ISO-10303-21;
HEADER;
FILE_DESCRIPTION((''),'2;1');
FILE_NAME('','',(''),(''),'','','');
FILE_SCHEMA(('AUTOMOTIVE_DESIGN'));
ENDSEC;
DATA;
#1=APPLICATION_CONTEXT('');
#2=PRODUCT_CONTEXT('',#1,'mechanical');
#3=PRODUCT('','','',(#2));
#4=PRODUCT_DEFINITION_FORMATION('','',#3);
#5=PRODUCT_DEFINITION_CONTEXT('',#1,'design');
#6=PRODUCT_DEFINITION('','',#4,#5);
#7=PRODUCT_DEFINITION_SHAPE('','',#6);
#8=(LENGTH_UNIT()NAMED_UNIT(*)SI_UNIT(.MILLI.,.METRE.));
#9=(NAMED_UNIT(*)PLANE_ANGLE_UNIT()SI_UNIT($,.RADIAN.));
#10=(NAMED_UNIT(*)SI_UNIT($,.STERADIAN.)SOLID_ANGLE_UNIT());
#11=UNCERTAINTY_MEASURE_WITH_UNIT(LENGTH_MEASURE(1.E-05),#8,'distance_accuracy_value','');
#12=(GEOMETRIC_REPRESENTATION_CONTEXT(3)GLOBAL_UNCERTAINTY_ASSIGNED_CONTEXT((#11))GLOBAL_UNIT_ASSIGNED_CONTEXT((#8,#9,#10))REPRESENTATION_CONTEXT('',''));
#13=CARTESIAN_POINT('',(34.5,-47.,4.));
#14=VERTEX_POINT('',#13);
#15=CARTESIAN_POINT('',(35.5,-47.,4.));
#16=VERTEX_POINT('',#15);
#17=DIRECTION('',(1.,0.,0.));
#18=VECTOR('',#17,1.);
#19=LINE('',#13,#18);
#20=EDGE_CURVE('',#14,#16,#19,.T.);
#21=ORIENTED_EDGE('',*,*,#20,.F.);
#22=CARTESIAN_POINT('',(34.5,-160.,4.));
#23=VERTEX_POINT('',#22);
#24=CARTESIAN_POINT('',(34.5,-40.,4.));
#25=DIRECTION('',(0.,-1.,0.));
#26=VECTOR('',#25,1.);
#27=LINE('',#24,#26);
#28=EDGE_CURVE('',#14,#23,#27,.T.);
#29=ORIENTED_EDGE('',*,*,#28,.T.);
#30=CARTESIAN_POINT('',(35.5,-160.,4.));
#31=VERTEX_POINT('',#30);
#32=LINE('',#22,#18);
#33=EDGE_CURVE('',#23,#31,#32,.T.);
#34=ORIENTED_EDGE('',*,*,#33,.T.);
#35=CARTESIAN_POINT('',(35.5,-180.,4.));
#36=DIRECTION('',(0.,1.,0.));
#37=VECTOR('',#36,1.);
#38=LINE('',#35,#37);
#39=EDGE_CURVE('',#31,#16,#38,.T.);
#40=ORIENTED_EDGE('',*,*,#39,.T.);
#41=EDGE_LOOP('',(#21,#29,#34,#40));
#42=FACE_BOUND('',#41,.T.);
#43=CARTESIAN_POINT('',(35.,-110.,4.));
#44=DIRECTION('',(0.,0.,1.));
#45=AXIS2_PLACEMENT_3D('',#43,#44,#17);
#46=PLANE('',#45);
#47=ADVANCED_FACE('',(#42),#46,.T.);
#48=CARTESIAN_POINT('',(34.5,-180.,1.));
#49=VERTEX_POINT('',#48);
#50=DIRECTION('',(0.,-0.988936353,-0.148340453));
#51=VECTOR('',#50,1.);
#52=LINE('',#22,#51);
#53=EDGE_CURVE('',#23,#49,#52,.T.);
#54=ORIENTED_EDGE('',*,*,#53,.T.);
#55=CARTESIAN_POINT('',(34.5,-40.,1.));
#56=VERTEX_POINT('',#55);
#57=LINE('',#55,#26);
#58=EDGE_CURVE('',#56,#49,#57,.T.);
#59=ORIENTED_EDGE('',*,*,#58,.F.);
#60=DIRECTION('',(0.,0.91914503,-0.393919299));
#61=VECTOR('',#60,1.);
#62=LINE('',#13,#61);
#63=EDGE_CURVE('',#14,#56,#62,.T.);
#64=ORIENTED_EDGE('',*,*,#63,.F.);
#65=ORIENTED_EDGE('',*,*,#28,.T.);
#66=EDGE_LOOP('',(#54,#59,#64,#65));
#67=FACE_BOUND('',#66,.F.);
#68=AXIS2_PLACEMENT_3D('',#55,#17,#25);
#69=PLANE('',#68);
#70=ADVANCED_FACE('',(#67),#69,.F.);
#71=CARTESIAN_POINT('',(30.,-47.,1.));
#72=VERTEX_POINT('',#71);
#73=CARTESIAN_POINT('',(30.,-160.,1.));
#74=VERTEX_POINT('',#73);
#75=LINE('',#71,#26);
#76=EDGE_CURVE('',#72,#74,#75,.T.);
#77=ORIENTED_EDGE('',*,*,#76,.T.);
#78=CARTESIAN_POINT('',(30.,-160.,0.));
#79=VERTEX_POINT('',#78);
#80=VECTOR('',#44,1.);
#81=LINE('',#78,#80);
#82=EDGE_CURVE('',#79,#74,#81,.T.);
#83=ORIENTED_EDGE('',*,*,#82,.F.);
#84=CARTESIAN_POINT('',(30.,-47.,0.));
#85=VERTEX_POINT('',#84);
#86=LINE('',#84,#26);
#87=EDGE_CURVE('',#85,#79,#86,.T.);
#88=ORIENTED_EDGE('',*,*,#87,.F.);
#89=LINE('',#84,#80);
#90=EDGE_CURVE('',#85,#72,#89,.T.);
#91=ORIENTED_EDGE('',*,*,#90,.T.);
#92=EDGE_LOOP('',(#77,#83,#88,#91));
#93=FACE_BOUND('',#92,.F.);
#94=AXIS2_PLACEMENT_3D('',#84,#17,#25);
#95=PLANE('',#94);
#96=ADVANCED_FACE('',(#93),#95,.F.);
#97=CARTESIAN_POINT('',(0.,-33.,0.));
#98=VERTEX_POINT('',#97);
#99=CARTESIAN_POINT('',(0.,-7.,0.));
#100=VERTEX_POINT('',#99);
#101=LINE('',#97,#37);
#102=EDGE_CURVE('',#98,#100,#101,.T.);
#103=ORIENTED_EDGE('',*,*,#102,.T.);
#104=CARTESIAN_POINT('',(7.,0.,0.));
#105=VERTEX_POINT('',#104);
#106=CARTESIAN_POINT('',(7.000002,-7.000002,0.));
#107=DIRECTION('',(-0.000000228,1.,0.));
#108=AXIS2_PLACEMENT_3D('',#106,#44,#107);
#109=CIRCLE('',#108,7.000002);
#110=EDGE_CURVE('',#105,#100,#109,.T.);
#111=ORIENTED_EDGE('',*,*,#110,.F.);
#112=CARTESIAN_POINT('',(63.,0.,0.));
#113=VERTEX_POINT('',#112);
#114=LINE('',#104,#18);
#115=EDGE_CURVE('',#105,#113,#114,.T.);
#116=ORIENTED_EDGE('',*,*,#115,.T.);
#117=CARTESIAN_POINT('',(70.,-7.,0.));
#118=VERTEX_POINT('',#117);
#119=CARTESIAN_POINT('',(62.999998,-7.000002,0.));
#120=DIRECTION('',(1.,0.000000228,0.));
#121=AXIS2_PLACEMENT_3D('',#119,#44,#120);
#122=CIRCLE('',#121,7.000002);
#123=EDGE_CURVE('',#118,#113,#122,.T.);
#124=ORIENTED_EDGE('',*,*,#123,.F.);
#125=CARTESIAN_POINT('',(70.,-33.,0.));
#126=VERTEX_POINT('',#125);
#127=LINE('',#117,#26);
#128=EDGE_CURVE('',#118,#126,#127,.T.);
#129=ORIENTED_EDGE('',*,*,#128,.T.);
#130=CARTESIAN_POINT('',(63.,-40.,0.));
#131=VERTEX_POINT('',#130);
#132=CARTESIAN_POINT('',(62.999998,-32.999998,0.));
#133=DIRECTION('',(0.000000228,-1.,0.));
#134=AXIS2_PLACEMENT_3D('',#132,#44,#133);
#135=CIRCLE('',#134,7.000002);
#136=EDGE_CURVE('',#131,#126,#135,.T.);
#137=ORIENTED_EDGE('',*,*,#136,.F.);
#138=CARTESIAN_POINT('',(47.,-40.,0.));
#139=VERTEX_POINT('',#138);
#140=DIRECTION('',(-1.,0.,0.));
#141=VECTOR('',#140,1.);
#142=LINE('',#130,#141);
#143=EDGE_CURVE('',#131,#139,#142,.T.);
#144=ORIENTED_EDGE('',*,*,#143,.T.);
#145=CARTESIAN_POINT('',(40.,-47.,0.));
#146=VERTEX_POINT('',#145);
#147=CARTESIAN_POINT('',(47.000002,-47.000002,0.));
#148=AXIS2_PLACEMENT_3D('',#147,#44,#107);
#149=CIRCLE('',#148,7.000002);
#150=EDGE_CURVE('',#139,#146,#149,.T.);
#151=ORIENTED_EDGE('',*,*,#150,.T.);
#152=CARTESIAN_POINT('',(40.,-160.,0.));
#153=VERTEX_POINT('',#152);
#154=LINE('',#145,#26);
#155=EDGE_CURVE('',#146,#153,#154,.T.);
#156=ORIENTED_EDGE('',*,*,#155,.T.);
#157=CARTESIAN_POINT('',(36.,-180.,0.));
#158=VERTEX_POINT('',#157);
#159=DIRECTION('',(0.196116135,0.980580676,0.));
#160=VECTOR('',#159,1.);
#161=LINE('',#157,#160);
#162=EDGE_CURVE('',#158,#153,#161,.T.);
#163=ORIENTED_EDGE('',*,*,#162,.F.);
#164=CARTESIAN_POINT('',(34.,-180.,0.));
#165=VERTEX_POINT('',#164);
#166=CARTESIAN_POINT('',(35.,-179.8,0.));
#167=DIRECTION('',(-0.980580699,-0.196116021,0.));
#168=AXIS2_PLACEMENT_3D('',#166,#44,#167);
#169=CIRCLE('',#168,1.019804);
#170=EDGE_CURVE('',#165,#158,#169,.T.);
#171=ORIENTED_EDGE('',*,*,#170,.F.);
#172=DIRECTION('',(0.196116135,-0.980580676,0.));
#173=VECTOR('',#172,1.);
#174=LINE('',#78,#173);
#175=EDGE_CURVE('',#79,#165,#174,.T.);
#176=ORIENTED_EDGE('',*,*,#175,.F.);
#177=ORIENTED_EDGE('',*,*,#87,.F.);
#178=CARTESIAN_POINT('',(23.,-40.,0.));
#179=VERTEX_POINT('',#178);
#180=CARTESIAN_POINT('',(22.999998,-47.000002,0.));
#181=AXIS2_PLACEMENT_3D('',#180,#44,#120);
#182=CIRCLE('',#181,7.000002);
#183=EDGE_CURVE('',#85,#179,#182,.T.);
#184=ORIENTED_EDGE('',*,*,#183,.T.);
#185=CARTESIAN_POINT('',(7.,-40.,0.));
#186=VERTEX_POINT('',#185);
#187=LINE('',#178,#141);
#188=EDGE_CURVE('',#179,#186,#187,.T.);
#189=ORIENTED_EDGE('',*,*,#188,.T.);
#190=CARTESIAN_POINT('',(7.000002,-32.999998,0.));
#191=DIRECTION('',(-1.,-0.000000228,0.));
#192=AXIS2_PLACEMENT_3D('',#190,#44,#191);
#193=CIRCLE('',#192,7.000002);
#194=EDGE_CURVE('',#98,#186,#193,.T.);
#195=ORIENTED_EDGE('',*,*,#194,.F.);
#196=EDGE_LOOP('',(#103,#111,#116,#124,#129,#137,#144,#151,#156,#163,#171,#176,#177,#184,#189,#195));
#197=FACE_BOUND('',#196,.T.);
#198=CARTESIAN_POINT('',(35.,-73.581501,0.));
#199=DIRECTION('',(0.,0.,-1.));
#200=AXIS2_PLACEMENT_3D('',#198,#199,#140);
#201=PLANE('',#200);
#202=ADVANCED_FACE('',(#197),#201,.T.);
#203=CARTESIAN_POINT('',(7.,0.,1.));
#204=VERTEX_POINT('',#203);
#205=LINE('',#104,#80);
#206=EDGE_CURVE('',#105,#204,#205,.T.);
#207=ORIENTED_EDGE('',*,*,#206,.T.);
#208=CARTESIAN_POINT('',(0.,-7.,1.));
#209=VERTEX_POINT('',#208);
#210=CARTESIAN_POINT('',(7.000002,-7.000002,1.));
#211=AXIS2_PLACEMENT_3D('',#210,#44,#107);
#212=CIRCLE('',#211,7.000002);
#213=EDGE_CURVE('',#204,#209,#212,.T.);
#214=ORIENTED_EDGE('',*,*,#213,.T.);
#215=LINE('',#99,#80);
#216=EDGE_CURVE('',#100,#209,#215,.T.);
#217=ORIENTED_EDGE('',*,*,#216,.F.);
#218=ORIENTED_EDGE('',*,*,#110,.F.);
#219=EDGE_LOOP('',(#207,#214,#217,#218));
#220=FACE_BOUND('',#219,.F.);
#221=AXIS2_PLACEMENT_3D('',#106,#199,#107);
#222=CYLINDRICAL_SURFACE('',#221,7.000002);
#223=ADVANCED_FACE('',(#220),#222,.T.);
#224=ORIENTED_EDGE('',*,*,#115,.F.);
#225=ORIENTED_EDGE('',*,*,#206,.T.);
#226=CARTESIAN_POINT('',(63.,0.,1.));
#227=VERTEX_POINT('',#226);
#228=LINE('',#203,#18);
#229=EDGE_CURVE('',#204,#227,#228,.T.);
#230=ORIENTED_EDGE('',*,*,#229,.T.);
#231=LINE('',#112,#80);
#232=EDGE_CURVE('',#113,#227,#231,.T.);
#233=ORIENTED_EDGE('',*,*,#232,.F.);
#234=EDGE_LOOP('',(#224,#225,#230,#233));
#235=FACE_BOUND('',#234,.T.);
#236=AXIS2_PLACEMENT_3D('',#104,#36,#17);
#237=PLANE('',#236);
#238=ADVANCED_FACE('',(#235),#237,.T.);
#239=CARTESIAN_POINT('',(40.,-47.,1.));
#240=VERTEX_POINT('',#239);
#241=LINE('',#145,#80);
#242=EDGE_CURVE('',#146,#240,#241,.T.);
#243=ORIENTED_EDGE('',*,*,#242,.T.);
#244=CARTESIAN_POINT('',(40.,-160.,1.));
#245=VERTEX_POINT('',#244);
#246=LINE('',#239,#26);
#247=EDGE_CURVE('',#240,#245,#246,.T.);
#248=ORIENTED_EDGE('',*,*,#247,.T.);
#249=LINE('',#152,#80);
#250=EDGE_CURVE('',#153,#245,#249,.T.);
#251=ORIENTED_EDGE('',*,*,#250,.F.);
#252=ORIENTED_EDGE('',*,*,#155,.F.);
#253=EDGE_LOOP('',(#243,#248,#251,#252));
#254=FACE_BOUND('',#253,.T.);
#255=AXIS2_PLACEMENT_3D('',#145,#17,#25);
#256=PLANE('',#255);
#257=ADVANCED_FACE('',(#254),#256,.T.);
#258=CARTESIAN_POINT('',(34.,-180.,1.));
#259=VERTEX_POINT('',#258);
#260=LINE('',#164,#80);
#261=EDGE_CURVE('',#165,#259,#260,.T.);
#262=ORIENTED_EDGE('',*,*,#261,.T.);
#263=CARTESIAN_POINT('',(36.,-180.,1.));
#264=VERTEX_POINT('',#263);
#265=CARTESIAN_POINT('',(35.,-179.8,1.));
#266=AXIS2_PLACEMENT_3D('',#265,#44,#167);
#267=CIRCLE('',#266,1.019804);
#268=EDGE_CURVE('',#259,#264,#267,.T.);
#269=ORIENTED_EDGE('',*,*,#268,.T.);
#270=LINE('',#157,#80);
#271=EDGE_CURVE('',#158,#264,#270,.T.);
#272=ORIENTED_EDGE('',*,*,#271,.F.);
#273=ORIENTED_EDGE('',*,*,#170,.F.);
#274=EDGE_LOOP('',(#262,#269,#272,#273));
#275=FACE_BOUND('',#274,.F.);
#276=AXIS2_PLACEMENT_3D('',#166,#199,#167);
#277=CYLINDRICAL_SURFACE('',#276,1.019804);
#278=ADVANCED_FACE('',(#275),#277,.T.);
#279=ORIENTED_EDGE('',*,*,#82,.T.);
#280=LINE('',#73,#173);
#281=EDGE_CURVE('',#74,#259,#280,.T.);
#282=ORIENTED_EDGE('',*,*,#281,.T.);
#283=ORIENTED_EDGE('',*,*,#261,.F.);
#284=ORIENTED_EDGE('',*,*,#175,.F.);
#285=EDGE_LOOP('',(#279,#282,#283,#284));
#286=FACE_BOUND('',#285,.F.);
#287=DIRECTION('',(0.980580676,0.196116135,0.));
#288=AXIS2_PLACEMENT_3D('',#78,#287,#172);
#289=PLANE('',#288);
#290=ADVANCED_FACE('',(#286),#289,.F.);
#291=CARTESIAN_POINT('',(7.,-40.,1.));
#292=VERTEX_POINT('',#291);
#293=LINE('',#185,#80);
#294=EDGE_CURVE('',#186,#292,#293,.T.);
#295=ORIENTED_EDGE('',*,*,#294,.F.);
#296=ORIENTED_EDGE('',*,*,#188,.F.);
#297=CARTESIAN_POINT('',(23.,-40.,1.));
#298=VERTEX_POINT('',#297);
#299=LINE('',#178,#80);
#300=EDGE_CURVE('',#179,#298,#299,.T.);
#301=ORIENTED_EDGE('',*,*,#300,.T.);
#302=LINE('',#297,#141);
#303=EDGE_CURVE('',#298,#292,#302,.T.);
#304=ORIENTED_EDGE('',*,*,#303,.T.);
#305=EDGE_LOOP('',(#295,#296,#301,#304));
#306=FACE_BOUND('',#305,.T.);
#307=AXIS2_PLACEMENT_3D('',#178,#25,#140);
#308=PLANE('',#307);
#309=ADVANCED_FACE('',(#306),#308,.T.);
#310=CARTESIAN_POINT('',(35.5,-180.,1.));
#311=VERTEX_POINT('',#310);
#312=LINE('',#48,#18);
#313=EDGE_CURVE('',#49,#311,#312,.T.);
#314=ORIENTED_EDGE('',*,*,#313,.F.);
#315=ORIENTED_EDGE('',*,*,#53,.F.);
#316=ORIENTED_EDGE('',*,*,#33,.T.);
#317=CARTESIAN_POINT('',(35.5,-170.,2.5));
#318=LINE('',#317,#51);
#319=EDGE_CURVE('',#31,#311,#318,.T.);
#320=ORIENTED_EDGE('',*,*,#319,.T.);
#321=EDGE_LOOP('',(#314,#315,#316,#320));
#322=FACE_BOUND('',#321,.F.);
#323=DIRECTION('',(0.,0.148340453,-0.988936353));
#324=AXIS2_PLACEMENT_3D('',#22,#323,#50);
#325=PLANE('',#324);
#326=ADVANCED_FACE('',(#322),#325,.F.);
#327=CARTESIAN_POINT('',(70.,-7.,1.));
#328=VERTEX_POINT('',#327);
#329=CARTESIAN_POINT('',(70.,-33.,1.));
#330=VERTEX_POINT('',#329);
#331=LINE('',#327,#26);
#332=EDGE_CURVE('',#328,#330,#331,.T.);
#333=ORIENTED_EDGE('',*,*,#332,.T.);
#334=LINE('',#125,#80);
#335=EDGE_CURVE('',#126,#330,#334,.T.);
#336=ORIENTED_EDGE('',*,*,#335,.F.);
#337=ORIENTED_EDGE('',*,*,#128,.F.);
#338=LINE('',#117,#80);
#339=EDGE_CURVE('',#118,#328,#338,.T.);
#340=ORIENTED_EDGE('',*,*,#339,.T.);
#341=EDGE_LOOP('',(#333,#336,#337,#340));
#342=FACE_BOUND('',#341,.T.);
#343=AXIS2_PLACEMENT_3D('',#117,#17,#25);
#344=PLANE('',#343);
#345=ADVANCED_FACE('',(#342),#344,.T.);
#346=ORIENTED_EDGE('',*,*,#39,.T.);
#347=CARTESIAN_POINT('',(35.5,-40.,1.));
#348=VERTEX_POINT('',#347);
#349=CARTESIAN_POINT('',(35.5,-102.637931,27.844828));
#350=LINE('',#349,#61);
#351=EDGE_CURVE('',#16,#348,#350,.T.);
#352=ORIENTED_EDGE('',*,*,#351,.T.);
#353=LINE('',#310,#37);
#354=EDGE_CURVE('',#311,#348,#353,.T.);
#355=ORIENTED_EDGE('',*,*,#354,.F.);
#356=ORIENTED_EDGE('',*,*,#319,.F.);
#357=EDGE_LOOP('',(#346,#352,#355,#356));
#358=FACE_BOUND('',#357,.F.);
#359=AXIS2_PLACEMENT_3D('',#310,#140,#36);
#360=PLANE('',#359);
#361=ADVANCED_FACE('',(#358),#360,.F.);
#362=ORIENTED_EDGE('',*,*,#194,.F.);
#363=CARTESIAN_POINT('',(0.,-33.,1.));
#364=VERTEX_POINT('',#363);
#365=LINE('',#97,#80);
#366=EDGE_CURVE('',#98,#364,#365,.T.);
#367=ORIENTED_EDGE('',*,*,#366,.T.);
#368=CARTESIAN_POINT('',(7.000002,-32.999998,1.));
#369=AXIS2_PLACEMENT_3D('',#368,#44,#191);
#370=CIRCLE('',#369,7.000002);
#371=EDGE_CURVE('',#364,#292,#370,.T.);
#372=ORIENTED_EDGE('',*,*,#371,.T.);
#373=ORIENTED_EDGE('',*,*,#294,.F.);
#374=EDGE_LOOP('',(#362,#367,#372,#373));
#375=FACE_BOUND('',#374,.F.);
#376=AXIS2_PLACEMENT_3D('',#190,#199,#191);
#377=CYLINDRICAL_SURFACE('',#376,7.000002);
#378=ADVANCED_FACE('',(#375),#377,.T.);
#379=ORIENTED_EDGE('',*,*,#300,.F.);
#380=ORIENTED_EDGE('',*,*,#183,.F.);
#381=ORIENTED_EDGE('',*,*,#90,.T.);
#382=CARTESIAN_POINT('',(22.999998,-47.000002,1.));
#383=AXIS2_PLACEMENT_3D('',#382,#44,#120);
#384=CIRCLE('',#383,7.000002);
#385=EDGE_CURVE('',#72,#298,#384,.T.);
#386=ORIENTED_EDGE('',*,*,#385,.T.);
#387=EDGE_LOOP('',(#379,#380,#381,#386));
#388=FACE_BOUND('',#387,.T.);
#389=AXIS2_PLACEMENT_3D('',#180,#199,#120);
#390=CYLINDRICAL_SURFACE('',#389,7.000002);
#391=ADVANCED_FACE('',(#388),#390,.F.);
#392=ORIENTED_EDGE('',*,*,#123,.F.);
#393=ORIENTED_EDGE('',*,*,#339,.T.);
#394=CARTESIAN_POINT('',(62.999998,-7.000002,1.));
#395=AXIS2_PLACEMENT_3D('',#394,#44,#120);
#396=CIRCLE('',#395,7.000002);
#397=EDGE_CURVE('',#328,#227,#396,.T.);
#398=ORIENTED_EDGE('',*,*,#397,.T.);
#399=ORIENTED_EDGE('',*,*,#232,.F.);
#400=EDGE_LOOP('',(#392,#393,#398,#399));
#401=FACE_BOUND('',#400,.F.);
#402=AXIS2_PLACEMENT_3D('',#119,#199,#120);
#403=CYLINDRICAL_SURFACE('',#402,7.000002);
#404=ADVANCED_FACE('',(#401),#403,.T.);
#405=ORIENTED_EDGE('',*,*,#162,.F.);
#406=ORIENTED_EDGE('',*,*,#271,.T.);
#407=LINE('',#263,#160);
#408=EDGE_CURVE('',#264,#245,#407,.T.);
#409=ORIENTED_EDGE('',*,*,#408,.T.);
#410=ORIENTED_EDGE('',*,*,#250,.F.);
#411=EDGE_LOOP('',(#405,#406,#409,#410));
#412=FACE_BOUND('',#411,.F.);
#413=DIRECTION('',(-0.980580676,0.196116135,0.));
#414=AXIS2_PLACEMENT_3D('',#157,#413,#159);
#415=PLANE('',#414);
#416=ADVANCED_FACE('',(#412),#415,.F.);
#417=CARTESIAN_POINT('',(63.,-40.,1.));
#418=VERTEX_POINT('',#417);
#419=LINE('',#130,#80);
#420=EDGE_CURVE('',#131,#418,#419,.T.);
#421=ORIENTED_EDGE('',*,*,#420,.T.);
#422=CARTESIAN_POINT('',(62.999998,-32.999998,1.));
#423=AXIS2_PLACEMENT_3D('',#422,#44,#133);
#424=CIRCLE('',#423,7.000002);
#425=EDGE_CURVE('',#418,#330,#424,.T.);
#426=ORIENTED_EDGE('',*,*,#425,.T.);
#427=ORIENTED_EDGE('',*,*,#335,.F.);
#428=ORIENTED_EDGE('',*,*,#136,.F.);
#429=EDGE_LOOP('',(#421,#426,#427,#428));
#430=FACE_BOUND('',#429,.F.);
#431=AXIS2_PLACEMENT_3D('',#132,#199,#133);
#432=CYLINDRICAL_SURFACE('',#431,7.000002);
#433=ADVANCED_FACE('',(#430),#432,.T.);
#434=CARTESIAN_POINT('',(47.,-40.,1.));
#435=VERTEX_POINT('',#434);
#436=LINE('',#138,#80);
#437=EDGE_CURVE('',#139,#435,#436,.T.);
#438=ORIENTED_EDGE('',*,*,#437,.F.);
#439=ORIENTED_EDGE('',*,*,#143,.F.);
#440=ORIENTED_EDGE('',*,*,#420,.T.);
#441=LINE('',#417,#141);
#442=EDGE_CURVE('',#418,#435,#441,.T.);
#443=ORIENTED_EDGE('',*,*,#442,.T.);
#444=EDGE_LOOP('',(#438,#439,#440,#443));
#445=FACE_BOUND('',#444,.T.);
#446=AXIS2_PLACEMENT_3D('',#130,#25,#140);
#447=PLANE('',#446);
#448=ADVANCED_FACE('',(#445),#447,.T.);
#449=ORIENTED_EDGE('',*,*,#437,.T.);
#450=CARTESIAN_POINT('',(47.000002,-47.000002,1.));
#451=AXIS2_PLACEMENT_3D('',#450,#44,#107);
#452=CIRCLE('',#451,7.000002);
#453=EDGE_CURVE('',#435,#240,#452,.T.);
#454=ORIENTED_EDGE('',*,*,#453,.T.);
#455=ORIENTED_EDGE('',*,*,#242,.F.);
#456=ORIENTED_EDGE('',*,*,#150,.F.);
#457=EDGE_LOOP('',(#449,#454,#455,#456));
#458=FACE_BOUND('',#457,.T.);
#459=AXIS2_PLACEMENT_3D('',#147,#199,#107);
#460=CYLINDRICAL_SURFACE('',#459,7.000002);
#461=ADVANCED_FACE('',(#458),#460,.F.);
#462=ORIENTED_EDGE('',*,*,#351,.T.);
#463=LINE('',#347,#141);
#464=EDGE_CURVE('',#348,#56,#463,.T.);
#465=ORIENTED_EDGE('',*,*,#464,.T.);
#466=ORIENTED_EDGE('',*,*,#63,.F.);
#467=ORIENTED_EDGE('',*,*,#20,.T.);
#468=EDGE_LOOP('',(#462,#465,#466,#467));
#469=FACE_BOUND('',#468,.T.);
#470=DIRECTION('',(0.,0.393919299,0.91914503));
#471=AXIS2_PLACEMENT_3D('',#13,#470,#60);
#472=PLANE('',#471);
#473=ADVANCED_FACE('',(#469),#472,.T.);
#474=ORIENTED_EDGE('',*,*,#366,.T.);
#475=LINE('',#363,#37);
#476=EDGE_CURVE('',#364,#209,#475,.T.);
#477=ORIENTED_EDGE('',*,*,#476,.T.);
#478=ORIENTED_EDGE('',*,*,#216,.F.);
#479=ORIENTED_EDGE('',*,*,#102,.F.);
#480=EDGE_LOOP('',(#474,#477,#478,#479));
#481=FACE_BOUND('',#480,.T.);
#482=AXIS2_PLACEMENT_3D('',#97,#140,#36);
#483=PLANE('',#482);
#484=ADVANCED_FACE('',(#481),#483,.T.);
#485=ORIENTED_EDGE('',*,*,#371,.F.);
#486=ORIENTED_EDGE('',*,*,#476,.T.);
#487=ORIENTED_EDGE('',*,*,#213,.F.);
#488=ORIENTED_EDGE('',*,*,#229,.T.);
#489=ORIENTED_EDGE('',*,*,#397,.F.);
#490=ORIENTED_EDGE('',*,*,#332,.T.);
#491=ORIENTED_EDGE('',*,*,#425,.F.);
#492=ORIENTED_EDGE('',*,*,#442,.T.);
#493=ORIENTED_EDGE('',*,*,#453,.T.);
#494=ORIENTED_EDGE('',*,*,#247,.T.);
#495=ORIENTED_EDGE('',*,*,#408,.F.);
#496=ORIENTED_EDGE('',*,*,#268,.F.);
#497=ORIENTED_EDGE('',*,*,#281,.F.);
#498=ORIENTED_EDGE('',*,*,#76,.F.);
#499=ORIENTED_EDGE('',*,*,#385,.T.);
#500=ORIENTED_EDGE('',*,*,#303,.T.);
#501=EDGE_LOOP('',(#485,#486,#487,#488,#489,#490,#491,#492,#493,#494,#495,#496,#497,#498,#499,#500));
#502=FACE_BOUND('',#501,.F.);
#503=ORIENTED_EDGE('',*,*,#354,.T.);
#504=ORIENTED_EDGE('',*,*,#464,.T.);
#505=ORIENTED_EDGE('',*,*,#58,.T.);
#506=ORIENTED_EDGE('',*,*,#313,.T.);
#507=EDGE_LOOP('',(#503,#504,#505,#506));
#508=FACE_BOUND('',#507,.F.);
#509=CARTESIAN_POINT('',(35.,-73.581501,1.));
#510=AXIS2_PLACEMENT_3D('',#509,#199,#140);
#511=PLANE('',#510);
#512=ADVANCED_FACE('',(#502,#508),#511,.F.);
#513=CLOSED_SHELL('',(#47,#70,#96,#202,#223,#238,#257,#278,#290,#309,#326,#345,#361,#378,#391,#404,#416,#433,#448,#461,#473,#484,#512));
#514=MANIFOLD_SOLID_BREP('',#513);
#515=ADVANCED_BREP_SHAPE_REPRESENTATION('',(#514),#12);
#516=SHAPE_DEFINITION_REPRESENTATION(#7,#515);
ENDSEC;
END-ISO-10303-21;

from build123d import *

# Parameters (mm, degrees)
PAD_DEPTH       = 1
PAD001_DEPTH    = 3
POCKET_DEPTH    = 35.501
POCKET001_DEPTH = 35.501


with BuildPart() as part:
    # Sketch → Pad (new body)
    with BuildSketch(Plane.XY):
        with BuildLine():
            Line((7, 0), (63, 0))
            ThreePointArc((70, -7), (67.949747, -2.050253), (63, 0))
            Line((70, -7), (70, -33))
            ThreePointArc((63, -40), (67.949747, -37.949747), (70, -33))
            Line((63, -40), (47, -40))
            ThreePointArc((47, -40), (42.050253, -42.050253), (40, -47))
            Line((40, -47), (40, -160))
            Line((36, -180), (40, -160))
            ThreePointArc((34, -180), (35, -180.819804), (36, -180))
            Line((30, -160), (34, -180))
            Line((30, -47), (30, -160))
            ThreePointArc((30, -47), (27.949747, -42.050253), (23, -40))
            Line((23, -40), (7, -40))
            ThreePointArc((0, -33), (2.050253, -37.949747), (7, -40))
            Line((0, -33), (0, -7))
            ThreePointArc((7, 0), (2.050253, -2.050253), (0, -7))
        make_face()
    extrude(amount=PAD_DEPTH)

    # Sketch001 (on Face18 of Pad) → Pad001 (join)
    with BuildSketch(Plane.XY.offset(1)):
        Polygon((34.5, -180), (35.5, -180), (35.5, -160), (35.5, -47), (35.5, -40), (34.5, -40), (34.5, -47), (34.5, -160), align=None)
    extrude(amount=PAD001_DEPTH)

    # Sketch002 (on Face26 of Pad001) → Pocket (cut, through all)
    with BuildSketch(Plane(origin=(34.5, 0, 0), x_dir=(0, -1, 0), z_dir=(-1, 0, 0))):
        Polygon((160, 4), (180, 1), (180, 4), align=None)
    extrude(amount=-POCKET_DEPTH, mode=Mode.SUBTRACT)

    # Sketch003 (on Face22 of Pocket) → Pocket001 (cut, through all)
    with BuildSketch(Plane(origin=(34.5, 0, 0), x_dir=(0, -1, 0), z_dir=(-1, 0, 0))):
        Polygon((40, 1), (40, 4), (47, 4), align=None)
    extrude(amount=-POCKET001_DEPTH, mode=Mode.SUBTRACT)


solid = part.part
